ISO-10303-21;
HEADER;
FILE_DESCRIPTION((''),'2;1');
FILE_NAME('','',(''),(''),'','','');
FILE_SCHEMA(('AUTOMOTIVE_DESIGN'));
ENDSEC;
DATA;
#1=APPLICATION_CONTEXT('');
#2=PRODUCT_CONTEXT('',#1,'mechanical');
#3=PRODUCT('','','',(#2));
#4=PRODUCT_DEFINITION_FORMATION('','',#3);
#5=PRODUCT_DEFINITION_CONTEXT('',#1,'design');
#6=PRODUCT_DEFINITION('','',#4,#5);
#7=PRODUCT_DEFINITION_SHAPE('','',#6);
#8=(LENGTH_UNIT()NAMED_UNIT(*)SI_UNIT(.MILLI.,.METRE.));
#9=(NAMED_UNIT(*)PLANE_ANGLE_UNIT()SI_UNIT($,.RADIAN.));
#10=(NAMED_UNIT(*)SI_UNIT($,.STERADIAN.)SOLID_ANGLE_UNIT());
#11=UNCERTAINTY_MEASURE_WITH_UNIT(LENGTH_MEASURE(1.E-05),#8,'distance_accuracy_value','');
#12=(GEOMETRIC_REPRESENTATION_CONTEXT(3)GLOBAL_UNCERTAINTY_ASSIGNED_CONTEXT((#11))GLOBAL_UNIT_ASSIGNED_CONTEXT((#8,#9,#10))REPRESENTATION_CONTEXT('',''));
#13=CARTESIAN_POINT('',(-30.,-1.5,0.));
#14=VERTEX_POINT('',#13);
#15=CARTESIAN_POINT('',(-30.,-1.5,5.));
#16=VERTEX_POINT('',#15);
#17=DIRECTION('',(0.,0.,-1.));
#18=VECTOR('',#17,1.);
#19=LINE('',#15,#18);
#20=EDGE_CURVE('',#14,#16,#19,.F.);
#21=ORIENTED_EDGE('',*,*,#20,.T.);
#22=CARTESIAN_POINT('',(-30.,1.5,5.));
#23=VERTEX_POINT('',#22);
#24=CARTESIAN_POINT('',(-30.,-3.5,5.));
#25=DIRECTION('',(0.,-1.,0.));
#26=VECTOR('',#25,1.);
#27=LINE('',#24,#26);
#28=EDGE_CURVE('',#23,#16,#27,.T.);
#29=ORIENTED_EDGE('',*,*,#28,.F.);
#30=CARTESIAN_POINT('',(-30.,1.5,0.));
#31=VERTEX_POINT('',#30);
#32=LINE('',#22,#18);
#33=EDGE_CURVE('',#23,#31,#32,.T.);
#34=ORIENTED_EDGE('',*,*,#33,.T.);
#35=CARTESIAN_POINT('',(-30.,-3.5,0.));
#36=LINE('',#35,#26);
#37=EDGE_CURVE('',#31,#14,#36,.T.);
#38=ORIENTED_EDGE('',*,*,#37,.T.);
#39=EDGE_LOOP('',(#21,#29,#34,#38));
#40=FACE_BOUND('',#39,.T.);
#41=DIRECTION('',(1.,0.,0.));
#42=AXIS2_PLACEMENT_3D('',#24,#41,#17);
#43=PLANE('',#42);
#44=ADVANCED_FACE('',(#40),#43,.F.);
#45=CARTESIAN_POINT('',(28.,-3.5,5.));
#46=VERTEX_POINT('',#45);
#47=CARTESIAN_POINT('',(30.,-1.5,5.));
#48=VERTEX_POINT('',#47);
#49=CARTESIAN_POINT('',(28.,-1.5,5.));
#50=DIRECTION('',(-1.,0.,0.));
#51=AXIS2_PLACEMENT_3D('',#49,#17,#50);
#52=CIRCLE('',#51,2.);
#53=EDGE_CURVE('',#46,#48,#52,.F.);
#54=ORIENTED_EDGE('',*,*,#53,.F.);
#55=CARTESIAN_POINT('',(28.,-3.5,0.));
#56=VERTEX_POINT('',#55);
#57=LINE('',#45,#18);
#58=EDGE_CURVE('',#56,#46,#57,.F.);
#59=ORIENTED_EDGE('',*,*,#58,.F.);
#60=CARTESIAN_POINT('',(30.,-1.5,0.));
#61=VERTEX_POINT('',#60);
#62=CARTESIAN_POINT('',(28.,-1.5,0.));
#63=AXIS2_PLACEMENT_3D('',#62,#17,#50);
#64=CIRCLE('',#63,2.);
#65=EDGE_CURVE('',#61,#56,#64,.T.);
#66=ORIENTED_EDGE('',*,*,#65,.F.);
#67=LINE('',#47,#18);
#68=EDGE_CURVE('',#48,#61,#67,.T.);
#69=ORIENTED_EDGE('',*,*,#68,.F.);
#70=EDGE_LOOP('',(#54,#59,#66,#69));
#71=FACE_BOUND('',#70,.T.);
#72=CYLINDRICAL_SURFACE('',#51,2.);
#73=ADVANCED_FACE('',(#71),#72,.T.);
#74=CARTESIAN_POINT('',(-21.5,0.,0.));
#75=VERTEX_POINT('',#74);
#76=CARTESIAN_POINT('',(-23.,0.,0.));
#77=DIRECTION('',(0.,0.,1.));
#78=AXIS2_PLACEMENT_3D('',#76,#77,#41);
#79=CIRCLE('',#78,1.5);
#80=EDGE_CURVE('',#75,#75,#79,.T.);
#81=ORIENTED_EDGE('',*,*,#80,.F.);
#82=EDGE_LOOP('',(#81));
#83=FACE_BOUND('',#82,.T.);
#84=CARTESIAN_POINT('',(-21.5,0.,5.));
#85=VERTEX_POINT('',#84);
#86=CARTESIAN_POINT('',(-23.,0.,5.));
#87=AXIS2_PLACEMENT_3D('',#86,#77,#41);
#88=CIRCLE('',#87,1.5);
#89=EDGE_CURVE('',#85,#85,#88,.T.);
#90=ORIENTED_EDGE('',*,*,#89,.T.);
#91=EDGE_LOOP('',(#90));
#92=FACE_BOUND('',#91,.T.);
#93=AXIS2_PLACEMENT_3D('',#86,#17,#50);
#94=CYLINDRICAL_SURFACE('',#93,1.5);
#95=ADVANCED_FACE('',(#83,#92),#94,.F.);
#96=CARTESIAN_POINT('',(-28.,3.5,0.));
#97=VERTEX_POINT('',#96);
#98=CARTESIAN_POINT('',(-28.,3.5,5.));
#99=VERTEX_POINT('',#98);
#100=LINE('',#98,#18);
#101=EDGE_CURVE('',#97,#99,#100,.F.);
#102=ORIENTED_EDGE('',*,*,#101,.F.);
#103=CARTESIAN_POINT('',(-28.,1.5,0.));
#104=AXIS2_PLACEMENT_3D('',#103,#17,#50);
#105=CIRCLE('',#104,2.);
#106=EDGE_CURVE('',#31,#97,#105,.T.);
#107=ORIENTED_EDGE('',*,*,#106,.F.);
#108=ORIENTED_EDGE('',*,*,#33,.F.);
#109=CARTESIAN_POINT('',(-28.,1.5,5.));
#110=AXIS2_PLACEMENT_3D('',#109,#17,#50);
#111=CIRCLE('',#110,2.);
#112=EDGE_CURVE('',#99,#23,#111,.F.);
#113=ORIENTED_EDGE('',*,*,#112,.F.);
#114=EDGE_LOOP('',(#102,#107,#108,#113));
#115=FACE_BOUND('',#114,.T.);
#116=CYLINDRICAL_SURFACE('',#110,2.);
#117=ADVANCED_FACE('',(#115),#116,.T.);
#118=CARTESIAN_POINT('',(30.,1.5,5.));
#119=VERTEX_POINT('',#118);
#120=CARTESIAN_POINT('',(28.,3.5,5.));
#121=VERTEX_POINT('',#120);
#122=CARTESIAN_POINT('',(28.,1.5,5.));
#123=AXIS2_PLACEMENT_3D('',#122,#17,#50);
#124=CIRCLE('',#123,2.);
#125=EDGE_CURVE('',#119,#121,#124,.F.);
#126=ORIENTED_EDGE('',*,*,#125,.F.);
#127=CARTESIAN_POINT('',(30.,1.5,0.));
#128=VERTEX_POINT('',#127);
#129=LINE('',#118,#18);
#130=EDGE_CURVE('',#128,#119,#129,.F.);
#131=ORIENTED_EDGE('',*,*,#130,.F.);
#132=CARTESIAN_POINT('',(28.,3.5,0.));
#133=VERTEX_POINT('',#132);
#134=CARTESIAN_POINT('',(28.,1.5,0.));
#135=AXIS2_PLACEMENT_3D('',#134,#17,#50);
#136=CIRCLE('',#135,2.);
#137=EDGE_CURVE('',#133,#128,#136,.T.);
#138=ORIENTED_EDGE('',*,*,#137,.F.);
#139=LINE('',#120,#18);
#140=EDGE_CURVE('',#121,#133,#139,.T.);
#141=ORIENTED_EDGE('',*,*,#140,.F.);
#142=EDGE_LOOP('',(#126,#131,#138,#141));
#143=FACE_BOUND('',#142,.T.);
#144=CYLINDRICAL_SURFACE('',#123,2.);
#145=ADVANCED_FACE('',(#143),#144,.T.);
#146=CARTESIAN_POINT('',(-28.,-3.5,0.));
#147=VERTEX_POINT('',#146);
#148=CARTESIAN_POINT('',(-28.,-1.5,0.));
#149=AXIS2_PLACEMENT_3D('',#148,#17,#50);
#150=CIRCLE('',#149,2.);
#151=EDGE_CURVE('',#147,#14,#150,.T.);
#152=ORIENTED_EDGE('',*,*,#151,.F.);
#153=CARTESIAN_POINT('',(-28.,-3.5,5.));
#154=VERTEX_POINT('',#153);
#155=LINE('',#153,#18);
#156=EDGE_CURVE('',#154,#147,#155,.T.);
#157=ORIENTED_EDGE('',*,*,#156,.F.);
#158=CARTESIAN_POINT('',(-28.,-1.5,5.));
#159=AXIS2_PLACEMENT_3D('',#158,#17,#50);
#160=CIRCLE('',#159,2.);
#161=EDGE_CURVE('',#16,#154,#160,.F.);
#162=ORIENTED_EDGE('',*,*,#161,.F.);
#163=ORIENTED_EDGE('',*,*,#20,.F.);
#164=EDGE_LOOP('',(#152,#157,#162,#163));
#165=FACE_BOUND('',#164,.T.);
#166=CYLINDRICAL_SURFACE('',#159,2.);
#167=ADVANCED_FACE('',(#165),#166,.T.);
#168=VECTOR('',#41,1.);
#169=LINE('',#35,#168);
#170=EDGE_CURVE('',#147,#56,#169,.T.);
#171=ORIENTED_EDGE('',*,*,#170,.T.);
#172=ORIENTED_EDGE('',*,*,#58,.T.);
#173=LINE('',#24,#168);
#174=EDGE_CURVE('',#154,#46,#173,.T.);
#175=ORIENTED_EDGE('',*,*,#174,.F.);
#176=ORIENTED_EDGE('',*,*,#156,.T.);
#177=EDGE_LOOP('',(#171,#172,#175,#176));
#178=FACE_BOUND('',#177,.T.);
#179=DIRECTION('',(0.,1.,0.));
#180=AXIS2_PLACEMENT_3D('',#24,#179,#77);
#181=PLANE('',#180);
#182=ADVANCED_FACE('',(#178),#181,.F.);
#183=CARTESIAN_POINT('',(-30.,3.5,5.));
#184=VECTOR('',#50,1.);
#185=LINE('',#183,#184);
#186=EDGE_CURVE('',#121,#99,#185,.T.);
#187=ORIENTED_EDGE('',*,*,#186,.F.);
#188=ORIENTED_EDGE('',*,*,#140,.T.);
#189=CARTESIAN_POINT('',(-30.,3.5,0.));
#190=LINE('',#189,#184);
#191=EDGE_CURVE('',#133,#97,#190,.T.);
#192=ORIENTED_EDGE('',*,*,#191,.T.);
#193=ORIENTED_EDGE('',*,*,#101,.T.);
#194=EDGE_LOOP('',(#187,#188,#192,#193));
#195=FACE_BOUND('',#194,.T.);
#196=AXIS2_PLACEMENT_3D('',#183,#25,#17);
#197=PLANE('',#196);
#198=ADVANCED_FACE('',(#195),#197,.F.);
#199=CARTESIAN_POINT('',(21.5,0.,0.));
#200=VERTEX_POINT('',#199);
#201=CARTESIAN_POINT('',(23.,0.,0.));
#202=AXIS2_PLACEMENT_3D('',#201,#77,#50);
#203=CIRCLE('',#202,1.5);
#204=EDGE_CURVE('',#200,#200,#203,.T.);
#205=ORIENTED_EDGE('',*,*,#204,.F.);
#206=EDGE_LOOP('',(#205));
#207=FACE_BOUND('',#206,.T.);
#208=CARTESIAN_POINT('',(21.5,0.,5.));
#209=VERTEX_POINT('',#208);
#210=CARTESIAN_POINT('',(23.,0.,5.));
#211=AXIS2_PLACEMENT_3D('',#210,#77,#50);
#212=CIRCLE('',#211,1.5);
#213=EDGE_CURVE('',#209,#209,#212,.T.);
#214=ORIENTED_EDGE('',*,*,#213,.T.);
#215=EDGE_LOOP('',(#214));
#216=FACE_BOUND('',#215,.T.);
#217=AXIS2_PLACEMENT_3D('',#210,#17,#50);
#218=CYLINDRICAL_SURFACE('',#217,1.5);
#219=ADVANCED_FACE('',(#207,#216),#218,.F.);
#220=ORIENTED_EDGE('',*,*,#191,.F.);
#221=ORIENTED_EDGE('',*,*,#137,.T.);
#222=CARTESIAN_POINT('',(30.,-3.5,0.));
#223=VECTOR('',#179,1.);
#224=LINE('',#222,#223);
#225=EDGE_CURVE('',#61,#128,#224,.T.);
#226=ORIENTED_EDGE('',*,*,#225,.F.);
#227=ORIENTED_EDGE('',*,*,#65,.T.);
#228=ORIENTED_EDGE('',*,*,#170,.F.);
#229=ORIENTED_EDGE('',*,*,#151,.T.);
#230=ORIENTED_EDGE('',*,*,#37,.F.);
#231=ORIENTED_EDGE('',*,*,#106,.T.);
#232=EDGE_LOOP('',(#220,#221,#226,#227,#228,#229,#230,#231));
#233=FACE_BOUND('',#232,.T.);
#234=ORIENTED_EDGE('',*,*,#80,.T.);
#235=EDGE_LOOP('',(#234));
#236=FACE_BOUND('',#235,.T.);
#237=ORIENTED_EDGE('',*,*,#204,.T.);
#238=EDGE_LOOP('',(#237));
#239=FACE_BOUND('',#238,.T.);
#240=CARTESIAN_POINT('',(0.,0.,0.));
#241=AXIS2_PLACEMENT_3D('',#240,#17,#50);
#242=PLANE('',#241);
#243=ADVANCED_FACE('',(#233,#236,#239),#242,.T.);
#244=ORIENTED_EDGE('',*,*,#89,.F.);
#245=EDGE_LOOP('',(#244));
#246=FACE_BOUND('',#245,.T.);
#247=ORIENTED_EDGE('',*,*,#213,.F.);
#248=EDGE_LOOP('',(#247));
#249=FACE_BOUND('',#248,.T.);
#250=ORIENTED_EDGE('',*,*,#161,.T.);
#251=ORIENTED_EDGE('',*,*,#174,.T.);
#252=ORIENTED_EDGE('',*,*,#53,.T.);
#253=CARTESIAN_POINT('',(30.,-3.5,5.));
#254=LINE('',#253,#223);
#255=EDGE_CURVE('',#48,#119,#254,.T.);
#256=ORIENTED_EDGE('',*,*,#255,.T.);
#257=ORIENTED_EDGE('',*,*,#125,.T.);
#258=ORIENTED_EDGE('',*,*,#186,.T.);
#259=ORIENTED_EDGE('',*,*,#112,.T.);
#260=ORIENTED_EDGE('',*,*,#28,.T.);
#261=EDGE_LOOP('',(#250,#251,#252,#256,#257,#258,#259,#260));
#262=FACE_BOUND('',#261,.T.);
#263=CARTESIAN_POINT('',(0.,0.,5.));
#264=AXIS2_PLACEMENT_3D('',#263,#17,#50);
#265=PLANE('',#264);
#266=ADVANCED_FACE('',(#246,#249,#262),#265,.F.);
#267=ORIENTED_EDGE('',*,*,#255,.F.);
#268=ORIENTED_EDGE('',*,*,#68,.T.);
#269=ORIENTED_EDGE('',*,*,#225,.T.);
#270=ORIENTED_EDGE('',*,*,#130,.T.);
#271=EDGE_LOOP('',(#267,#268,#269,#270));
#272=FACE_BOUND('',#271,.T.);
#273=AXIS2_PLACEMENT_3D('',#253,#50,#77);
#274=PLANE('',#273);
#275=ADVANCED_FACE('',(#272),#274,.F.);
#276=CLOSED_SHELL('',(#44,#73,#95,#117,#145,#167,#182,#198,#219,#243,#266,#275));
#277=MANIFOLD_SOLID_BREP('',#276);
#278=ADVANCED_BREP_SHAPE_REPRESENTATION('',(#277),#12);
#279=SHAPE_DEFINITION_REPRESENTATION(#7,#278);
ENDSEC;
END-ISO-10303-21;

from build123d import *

# Parameters (mm, degrees)
SKETCH_2_W      = 60
SKETCH_2_H      = 7
SKETCH_2_R      = 1.5
EXTRUDE_1_DEPTH = 5
FILLET_5_R      = 2


with BuildPart() as part:
    # 草图2 → 凸台-拉伸1 (new body)
    with BuildSketch(Plane.XY):
        Rectangle(SKETCH_2_W, SKETCH_2_H)
        with Locations((-23, 0)):
            Circle(SKETCH_2_R, mode=Mode.SUBTRACT)
        with Locations(Location((23, 0, 0), (0, 0, 180))):
            Circle(SKETCH_2_R, mode=Mode.SUBTRACT)
    extrude(amount=EXTRUDE_1_DEPTH)

    # 圆角5
    fillet_5_edges = [part.edges().sort_by_distance(p)[0] for p in [
        (30, -3.5, 2.5),
        (-30, -3.5, 2.5),
        (-30, 3.5, 2.5),
        (30, 3.5, 2.5),
    ]]
    fillet(fillet_5_edges, radius=FILLET_5_R)


solid = part.part
